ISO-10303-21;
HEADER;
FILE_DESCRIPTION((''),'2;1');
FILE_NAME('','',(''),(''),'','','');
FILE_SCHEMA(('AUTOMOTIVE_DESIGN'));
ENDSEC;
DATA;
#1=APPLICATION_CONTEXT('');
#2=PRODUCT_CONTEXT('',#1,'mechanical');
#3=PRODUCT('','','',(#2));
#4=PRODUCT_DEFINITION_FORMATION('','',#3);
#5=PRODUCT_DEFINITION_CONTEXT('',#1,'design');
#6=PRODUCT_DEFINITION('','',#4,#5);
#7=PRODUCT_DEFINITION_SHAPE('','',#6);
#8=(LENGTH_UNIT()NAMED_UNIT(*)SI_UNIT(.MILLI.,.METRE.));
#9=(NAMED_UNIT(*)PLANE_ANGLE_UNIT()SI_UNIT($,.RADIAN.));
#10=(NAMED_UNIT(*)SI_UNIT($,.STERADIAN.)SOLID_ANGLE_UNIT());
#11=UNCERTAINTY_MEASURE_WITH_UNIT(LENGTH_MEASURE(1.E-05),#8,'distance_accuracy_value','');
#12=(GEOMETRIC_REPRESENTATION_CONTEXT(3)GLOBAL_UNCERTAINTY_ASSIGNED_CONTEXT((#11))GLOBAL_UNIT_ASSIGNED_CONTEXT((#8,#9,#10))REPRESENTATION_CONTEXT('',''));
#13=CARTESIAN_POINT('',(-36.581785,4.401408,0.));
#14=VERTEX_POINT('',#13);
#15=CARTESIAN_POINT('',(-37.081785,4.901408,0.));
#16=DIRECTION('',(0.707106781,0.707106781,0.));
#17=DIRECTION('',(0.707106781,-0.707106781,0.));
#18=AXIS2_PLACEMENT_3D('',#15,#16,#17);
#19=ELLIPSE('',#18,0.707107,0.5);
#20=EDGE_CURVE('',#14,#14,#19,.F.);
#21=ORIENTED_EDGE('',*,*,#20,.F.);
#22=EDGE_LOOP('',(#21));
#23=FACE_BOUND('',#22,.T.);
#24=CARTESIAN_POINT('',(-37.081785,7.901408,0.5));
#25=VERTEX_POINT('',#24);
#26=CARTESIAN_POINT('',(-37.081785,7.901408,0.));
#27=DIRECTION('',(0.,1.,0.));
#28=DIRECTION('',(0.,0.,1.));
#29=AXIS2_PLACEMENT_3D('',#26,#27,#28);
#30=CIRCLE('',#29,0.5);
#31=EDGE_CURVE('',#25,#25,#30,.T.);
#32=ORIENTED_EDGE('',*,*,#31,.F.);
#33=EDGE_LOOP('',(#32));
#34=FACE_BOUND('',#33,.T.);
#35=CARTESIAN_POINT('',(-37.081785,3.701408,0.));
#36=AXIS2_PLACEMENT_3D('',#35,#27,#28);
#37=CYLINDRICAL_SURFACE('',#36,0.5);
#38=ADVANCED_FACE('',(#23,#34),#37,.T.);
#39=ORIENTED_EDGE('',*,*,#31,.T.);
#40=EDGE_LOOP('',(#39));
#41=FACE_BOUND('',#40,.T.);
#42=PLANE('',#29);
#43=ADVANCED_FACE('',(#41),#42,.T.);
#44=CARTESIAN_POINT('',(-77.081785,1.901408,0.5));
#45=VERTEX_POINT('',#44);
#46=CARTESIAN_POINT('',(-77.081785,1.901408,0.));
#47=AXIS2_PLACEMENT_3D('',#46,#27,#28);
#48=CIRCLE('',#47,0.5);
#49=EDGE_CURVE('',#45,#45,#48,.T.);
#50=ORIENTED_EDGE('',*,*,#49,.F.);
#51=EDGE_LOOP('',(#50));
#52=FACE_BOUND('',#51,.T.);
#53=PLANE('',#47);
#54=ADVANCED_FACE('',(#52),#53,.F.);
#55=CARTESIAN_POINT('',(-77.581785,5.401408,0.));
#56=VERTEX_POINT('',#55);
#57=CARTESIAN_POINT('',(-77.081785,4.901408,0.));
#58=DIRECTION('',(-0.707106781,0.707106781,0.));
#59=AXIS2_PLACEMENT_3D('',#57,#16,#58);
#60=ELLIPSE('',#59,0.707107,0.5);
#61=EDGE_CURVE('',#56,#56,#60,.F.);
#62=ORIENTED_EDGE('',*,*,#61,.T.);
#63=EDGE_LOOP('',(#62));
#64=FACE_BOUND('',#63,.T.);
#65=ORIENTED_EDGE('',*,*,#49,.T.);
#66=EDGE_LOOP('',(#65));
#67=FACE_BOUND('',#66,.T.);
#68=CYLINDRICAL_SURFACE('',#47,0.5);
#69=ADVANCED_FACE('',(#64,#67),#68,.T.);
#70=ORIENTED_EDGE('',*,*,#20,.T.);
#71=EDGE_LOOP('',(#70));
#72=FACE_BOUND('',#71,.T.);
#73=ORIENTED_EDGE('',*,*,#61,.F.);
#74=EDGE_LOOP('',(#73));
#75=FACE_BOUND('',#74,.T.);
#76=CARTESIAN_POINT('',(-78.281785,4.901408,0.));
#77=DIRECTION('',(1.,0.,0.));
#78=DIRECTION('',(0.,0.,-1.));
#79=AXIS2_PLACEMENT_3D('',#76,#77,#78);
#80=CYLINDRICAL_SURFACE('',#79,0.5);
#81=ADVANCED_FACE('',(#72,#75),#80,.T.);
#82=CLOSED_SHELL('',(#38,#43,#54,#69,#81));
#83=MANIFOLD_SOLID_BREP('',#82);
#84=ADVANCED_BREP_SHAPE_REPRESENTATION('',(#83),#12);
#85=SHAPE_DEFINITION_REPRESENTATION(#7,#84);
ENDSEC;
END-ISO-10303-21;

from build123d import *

# Parameters (mm, degrees)
CROQUIS2_R = 0.5


with BuildPart() as part:
    # Barrer2: sweep along a path in Croquis1
    with BuildLine(Plane.XY) as barrer2_path:
        Line((-77.081784827, 1.901408451), (-77.081784827, 4.901408451))
        Line((-77.081784827, 4.901408451), (-37.081784827, 4.901408451))
        Line((-37.081784827, 4.901408451), (-37.081784827, 7.901408451))
    # Croquis2 → Barrer2 (sweep)
    with BuildSketch(Plane(origin=(0, 7.901408451, 0), x_dir=(1, 0, 0), z_dir=(0, 1, 0))):
        with Locations((-37.081784827, 0)):
            Circle(CROQUIS2_R)
    sweep(path=barrer2_path.line, transition=Transition.RIGHT)


solid = part.part
